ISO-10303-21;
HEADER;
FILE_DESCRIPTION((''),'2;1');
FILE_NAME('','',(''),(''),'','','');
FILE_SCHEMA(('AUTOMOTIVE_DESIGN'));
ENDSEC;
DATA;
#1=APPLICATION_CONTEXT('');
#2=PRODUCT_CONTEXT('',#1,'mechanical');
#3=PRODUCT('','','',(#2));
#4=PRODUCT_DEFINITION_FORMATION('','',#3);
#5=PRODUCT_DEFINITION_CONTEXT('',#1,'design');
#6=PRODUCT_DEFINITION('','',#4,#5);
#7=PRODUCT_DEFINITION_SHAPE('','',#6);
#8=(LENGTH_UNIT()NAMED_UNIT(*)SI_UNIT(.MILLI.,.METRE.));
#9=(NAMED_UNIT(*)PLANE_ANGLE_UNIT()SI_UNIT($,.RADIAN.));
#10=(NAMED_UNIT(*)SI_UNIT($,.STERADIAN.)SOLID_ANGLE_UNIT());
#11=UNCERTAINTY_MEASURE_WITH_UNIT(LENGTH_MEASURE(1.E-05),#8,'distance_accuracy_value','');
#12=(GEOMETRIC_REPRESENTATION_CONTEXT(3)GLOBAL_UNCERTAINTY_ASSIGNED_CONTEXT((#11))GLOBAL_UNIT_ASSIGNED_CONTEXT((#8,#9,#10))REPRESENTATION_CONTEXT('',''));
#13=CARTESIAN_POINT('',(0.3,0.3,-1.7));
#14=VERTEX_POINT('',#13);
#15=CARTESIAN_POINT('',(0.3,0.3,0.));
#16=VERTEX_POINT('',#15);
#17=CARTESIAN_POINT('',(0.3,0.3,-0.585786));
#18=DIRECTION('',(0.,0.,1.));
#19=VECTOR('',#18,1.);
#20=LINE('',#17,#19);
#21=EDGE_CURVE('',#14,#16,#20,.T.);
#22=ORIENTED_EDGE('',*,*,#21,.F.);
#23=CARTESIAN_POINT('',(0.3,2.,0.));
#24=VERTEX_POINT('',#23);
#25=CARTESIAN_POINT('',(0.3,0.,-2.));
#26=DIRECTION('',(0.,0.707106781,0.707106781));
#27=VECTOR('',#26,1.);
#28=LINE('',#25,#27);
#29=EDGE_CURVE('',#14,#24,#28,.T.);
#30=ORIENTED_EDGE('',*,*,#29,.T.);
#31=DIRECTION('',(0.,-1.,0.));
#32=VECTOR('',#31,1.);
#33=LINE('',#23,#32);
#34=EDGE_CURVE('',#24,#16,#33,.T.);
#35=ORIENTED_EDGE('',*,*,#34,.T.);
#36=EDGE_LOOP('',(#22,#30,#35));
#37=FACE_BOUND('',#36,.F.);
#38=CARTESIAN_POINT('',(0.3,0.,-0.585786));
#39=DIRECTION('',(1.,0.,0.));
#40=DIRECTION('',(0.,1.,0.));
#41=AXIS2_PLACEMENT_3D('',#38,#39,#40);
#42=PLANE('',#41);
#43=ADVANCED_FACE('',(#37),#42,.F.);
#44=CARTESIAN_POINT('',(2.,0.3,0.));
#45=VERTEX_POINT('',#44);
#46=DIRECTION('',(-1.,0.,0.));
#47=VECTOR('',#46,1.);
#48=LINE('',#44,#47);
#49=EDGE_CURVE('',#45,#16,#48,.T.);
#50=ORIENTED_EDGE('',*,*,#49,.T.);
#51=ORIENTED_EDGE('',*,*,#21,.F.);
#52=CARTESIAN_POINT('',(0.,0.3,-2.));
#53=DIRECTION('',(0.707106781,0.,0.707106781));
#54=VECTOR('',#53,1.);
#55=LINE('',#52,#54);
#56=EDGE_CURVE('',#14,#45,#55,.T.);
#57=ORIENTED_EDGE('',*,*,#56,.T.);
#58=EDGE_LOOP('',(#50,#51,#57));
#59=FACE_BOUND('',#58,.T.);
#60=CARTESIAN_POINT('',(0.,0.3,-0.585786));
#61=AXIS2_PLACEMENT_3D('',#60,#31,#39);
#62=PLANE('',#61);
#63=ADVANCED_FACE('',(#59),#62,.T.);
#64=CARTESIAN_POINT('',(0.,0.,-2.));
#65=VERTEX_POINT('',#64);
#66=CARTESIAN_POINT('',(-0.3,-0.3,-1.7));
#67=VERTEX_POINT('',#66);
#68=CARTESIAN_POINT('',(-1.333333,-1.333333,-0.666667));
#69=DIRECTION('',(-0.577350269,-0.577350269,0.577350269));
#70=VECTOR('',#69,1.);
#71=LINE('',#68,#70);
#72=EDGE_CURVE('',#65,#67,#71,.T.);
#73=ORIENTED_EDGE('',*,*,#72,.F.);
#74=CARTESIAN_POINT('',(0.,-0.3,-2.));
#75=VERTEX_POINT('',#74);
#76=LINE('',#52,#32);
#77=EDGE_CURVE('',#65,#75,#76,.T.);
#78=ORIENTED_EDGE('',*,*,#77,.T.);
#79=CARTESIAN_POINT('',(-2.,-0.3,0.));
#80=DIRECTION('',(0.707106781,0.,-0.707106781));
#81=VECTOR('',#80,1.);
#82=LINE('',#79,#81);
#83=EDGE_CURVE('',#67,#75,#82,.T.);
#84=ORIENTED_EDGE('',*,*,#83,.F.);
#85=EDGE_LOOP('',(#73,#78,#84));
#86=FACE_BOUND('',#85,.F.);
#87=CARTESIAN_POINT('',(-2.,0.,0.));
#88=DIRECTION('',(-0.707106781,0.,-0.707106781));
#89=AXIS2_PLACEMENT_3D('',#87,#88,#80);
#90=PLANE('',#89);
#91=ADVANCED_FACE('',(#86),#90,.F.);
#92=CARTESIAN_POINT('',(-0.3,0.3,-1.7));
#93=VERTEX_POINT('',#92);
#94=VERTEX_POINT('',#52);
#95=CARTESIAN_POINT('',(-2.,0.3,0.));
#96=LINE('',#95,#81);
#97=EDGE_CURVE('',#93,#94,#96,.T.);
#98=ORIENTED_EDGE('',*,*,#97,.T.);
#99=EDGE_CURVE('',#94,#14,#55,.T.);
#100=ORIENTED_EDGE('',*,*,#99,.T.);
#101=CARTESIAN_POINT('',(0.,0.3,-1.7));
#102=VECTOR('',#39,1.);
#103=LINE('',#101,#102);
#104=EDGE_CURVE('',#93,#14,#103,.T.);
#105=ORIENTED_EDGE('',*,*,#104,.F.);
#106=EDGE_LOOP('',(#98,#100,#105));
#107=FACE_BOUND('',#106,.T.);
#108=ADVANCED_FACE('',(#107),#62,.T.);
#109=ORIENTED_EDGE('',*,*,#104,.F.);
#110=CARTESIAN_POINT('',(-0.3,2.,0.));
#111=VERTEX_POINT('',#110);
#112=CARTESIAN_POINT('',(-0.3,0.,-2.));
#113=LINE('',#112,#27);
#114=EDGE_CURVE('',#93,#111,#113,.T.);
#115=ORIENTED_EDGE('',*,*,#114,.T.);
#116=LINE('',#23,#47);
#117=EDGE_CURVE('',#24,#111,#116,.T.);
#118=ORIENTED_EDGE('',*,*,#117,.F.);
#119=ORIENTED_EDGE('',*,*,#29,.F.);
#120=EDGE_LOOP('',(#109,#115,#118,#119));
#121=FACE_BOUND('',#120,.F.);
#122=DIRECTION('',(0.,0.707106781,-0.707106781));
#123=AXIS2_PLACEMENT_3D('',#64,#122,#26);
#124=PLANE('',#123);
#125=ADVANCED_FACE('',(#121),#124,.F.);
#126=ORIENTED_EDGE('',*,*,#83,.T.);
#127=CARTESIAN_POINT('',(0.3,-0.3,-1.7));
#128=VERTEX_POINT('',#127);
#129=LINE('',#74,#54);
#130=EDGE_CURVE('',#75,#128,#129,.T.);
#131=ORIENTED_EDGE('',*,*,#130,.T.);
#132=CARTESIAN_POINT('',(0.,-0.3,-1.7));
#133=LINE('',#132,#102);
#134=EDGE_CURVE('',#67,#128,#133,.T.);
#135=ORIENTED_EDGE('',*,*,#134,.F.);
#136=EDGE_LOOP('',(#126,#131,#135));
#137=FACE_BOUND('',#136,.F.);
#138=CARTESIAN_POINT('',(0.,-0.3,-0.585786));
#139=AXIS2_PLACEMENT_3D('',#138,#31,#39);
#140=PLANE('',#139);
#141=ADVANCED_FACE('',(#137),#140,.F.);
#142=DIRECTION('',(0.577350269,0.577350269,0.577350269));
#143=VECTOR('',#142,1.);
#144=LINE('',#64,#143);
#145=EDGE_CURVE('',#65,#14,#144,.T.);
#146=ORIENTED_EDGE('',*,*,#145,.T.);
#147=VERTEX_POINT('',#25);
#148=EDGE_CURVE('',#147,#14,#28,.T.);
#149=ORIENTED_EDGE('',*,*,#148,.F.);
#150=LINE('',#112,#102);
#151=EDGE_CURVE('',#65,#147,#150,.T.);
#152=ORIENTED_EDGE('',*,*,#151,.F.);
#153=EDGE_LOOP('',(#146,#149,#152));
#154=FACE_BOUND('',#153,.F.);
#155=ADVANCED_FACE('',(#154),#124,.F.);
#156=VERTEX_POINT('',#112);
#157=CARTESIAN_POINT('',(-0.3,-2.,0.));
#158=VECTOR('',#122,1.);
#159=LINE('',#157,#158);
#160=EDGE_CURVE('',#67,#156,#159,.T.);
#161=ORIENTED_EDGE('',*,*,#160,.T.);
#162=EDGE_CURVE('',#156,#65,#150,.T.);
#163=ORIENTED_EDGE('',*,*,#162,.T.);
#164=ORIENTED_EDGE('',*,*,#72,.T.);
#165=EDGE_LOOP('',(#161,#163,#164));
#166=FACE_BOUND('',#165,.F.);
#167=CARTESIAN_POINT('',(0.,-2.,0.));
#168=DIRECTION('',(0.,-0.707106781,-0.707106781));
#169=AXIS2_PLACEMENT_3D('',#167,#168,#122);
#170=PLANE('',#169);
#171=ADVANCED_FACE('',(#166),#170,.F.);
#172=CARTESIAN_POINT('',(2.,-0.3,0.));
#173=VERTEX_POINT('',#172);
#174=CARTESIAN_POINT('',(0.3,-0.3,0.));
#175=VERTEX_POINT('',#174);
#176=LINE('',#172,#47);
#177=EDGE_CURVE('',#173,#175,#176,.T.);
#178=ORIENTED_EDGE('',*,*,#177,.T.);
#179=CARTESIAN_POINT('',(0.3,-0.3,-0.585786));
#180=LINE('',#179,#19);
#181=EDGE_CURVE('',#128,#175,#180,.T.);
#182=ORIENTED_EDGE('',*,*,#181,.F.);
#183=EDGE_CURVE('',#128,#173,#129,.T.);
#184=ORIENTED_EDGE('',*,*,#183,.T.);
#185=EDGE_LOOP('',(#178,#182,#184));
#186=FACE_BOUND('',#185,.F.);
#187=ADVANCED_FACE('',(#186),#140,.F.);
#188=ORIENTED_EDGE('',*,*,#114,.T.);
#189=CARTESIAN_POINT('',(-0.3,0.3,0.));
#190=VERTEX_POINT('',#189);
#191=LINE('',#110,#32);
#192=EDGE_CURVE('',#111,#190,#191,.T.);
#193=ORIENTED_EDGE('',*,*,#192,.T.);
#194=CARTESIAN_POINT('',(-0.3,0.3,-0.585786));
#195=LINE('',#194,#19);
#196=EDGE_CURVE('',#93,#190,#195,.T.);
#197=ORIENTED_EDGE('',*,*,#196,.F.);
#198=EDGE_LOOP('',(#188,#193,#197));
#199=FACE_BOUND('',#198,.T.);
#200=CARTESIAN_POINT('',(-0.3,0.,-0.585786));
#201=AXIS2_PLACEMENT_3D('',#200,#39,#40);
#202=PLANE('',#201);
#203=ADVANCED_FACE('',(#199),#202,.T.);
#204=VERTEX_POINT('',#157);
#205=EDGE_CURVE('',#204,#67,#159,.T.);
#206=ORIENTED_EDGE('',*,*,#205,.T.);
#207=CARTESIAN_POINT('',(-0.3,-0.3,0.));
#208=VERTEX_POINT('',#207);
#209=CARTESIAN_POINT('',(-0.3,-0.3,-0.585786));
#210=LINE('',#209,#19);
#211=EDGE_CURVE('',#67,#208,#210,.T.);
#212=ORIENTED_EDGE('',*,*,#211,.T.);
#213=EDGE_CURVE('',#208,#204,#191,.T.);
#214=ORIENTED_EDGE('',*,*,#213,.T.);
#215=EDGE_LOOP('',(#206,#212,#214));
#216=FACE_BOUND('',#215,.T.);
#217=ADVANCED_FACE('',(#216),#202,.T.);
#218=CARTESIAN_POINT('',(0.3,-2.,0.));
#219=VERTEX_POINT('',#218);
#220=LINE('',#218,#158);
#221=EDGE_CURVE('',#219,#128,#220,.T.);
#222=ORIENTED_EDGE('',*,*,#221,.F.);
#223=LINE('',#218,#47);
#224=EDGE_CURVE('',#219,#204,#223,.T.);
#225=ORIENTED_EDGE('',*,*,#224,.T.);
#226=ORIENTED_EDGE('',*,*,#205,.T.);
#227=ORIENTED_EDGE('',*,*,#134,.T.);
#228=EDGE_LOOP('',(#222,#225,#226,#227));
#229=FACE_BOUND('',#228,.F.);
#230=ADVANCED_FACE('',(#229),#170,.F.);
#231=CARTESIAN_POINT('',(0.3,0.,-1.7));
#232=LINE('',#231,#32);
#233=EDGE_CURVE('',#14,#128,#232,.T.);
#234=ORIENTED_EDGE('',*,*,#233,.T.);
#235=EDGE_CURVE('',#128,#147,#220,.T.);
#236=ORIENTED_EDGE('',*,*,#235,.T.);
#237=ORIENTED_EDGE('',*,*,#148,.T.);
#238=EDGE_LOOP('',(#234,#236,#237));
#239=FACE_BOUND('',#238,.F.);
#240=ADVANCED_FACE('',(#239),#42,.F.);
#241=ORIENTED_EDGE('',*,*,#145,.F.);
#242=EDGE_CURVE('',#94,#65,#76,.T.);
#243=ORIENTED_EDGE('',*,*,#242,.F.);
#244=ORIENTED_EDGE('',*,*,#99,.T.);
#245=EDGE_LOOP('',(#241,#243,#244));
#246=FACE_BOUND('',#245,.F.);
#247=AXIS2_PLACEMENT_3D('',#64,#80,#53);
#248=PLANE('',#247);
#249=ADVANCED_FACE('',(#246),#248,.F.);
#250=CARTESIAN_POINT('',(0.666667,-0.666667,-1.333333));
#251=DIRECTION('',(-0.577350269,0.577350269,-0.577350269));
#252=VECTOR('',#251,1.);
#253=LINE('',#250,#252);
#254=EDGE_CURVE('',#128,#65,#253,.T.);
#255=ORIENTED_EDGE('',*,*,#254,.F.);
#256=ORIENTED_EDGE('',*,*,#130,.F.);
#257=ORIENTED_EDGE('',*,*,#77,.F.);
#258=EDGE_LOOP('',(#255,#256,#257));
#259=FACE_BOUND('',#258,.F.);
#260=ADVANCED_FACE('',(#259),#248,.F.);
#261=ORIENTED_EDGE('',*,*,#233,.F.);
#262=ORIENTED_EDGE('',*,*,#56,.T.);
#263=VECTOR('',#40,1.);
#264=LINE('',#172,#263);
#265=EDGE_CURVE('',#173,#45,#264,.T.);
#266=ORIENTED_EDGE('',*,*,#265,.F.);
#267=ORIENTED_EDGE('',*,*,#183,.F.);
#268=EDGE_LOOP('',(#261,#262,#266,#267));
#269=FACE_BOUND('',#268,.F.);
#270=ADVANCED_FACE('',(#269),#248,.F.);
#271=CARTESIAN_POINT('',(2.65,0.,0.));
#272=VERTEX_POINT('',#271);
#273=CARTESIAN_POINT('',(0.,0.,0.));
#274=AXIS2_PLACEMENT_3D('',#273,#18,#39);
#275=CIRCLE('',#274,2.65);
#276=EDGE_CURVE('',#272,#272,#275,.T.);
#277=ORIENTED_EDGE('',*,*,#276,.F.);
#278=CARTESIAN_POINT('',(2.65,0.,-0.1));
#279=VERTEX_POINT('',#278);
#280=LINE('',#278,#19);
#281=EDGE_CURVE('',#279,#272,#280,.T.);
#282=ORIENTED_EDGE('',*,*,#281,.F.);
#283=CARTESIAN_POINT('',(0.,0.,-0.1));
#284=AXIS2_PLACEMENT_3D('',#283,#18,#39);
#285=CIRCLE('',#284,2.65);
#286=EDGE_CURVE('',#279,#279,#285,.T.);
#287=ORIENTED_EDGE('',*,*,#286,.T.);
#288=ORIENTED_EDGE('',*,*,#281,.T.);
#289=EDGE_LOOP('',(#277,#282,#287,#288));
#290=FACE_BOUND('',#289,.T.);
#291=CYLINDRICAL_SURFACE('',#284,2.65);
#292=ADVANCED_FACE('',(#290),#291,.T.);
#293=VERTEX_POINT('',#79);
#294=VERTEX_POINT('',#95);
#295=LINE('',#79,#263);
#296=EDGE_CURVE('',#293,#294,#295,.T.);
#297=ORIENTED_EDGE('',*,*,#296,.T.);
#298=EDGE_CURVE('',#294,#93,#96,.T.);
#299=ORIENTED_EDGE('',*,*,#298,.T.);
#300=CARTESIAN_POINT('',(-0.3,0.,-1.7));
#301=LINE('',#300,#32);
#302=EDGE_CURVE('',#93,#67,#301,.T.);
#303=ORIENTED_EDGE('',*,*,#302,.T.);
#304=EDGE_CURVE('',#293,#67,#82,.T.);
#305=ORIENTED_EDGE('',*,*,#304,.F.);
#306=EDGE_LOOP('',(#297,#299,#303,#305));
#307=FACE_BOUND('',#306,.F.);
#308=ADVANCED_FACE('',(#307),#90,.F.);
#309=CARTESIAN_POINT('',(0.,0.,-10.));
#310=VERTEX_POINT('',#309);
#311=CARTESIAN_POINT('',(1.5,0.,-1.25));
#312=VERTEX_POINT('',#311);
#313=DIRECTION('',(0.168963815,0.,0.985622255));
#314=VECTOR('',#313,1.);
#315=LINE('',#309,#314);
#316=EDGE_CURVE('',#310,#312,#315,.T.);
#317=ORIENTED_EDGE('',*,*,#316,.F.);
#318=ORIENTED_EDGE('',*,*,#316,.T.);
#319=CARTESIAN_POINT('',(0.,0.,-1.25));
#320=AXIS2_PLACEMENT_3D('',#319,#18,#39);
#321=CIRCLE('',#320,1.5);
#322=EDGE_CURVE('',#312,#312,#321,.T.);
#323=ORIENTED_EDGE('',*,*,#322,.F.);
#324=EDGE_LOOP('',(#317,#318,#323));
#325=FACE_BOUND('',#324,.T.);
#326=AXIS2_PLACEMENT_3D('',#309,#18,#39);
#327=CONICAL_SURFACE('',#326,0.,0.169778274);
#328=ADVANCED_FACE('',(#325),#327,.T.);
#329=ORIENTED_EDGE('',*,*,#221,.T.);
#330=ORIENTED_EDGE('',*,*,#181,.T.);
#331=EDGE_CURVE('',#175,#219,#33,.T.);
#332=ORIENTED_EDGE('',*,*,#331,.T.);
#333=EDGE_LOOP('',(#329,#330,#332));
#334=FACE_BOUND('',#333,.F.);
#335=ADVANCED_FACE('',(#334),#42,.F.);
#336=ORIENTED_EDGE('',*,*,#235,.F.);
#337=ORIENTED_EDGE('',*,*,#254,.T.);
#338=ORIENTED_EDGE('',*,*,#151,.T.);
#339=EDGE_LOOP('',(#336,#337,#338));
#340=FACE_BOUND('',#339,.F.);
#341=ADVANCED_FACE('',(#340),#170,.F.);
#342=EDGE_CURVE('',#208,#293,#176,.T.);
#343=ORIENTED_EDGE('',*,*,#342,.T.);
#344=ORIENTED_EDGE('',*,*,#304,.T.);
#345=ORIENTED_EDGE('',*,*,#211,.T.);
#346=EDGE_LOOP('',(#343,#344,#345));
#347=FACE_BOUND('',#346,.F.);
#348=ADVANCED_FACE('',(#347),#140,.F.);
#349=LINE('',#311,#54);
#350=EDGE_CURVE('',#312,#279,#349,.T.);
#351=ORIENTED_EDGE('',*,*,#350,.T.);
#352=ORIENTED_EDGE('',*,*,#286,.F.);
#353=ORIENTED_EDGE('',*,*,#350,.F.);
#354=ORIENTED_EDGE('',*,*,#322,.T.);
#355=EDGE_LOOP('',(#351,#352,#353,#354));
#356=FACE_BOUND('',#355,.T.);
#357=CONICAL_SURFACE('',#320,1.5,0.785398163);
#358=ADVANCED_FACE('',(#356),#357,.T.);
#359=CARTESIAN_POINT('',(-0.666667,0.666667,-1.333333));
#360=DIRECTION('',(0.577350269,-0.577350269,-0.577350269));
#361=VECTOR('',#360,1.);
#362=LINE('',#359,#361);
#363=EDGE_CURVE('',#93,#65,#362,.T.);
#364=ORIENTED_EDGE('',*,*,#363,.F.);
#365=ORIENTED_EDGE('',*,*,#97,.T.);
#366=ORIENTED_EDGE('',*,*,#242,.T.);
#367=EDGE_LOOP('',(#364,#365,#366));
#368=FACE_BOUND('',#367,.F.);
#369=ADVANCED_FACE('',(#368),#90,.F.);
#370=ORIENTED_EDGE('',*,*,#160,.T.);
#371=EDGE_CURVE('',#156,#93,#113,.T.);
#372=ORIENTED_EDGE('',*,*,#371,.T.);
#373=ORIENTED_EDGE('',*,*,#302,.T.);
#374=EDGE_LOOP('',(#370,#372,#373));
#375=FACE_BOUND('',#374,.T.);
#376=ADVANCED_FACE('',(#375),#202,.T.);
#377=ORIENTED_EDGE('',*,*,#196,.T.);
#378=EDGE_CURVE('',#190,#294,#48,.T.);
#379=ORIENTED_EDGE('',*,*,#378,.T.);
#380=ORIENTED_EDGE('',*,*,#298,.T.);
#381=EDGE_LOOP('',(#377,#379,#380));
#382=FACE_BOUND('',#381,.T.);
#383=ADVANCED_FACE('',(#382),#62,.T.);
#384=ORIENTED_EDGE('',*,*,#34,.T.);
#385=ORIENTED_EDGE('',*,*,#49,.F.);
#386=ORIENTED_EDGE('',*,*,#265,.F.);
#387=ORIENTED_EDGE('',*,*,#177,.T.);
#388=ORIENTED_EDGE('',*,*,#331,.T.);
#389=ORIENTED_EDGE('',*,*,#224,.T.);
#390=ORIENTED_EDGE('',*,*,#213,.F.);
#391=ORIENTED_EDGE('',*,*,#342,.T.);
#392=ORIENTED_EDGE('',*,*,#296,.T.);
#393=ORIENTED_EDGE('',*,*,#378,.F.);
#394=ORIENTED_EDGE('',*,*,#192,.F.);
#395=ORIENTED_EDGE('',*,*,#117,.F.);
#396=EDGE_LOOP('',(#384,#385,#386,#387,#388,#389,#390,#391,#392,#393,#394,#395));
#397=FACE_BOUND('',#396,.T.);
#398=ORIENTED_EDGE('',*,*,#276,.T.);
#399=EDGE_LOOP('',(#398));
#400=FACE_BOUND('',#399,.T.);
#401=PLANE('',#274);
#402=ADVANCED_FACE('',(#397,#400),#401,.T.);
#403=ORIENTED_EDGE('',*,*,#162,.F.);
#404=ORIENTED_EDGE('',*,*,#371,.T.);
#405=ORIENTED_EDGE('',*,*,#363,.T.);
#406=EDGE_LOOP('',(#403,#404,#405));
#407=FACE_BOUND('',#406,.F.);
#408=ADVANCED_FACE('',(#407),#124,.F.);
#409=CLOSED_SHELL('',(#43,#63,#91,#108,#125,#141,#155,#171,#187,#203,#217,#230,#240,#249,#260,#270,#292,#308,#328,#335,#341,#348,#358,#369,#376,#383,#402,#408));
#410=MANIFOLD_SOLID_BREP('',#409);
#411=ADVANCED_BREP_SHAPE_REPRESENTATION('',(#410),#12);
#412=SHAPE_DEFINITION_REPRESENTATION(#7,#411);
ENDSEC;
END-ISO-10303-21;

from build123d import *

# Parameters (mm, degrees)
POCKET_DEPTH       = 0.3
POLARPATTERN_COUNT = 2
POLARPATTERN_ANGLE = 90


with BuildPart() as part:
    # Sketch → Revolution (revolve)
    with BuildSketch(Plane.XZ):
        Polygon((0, 0), (0, -10), (1.5, -1.25), (2.65, -0.1), (2.65, 0), align=None)
    revolve(axis=Axis((0, 0, 0), (0, 0, 1)))

    # Sketch001 → Pocket (cut, symmetric)
    with BuildSketch(Plane.XZ):
        Polygon((-2, 0), (0, -2), (2, 0), align=None)
    pocket = extrude(amount=POCKET_DEPTH, both=True, mode=Mode.SUBTRACT)

    # PolarPattern: Pocket ×2 about axis
    polarpattern_axis = Axis((0, 0, 0), (0, 0, 1))
    for i in range(1, POLARPATTERN_COUNT):
        add(pocket.rotate(polarpattern_axis, i * POLARPATTERN_ANGLE / (POLARPATTERN_COUNT - 1)), mode=Mode.SUBTRACT)


solid = part.part
